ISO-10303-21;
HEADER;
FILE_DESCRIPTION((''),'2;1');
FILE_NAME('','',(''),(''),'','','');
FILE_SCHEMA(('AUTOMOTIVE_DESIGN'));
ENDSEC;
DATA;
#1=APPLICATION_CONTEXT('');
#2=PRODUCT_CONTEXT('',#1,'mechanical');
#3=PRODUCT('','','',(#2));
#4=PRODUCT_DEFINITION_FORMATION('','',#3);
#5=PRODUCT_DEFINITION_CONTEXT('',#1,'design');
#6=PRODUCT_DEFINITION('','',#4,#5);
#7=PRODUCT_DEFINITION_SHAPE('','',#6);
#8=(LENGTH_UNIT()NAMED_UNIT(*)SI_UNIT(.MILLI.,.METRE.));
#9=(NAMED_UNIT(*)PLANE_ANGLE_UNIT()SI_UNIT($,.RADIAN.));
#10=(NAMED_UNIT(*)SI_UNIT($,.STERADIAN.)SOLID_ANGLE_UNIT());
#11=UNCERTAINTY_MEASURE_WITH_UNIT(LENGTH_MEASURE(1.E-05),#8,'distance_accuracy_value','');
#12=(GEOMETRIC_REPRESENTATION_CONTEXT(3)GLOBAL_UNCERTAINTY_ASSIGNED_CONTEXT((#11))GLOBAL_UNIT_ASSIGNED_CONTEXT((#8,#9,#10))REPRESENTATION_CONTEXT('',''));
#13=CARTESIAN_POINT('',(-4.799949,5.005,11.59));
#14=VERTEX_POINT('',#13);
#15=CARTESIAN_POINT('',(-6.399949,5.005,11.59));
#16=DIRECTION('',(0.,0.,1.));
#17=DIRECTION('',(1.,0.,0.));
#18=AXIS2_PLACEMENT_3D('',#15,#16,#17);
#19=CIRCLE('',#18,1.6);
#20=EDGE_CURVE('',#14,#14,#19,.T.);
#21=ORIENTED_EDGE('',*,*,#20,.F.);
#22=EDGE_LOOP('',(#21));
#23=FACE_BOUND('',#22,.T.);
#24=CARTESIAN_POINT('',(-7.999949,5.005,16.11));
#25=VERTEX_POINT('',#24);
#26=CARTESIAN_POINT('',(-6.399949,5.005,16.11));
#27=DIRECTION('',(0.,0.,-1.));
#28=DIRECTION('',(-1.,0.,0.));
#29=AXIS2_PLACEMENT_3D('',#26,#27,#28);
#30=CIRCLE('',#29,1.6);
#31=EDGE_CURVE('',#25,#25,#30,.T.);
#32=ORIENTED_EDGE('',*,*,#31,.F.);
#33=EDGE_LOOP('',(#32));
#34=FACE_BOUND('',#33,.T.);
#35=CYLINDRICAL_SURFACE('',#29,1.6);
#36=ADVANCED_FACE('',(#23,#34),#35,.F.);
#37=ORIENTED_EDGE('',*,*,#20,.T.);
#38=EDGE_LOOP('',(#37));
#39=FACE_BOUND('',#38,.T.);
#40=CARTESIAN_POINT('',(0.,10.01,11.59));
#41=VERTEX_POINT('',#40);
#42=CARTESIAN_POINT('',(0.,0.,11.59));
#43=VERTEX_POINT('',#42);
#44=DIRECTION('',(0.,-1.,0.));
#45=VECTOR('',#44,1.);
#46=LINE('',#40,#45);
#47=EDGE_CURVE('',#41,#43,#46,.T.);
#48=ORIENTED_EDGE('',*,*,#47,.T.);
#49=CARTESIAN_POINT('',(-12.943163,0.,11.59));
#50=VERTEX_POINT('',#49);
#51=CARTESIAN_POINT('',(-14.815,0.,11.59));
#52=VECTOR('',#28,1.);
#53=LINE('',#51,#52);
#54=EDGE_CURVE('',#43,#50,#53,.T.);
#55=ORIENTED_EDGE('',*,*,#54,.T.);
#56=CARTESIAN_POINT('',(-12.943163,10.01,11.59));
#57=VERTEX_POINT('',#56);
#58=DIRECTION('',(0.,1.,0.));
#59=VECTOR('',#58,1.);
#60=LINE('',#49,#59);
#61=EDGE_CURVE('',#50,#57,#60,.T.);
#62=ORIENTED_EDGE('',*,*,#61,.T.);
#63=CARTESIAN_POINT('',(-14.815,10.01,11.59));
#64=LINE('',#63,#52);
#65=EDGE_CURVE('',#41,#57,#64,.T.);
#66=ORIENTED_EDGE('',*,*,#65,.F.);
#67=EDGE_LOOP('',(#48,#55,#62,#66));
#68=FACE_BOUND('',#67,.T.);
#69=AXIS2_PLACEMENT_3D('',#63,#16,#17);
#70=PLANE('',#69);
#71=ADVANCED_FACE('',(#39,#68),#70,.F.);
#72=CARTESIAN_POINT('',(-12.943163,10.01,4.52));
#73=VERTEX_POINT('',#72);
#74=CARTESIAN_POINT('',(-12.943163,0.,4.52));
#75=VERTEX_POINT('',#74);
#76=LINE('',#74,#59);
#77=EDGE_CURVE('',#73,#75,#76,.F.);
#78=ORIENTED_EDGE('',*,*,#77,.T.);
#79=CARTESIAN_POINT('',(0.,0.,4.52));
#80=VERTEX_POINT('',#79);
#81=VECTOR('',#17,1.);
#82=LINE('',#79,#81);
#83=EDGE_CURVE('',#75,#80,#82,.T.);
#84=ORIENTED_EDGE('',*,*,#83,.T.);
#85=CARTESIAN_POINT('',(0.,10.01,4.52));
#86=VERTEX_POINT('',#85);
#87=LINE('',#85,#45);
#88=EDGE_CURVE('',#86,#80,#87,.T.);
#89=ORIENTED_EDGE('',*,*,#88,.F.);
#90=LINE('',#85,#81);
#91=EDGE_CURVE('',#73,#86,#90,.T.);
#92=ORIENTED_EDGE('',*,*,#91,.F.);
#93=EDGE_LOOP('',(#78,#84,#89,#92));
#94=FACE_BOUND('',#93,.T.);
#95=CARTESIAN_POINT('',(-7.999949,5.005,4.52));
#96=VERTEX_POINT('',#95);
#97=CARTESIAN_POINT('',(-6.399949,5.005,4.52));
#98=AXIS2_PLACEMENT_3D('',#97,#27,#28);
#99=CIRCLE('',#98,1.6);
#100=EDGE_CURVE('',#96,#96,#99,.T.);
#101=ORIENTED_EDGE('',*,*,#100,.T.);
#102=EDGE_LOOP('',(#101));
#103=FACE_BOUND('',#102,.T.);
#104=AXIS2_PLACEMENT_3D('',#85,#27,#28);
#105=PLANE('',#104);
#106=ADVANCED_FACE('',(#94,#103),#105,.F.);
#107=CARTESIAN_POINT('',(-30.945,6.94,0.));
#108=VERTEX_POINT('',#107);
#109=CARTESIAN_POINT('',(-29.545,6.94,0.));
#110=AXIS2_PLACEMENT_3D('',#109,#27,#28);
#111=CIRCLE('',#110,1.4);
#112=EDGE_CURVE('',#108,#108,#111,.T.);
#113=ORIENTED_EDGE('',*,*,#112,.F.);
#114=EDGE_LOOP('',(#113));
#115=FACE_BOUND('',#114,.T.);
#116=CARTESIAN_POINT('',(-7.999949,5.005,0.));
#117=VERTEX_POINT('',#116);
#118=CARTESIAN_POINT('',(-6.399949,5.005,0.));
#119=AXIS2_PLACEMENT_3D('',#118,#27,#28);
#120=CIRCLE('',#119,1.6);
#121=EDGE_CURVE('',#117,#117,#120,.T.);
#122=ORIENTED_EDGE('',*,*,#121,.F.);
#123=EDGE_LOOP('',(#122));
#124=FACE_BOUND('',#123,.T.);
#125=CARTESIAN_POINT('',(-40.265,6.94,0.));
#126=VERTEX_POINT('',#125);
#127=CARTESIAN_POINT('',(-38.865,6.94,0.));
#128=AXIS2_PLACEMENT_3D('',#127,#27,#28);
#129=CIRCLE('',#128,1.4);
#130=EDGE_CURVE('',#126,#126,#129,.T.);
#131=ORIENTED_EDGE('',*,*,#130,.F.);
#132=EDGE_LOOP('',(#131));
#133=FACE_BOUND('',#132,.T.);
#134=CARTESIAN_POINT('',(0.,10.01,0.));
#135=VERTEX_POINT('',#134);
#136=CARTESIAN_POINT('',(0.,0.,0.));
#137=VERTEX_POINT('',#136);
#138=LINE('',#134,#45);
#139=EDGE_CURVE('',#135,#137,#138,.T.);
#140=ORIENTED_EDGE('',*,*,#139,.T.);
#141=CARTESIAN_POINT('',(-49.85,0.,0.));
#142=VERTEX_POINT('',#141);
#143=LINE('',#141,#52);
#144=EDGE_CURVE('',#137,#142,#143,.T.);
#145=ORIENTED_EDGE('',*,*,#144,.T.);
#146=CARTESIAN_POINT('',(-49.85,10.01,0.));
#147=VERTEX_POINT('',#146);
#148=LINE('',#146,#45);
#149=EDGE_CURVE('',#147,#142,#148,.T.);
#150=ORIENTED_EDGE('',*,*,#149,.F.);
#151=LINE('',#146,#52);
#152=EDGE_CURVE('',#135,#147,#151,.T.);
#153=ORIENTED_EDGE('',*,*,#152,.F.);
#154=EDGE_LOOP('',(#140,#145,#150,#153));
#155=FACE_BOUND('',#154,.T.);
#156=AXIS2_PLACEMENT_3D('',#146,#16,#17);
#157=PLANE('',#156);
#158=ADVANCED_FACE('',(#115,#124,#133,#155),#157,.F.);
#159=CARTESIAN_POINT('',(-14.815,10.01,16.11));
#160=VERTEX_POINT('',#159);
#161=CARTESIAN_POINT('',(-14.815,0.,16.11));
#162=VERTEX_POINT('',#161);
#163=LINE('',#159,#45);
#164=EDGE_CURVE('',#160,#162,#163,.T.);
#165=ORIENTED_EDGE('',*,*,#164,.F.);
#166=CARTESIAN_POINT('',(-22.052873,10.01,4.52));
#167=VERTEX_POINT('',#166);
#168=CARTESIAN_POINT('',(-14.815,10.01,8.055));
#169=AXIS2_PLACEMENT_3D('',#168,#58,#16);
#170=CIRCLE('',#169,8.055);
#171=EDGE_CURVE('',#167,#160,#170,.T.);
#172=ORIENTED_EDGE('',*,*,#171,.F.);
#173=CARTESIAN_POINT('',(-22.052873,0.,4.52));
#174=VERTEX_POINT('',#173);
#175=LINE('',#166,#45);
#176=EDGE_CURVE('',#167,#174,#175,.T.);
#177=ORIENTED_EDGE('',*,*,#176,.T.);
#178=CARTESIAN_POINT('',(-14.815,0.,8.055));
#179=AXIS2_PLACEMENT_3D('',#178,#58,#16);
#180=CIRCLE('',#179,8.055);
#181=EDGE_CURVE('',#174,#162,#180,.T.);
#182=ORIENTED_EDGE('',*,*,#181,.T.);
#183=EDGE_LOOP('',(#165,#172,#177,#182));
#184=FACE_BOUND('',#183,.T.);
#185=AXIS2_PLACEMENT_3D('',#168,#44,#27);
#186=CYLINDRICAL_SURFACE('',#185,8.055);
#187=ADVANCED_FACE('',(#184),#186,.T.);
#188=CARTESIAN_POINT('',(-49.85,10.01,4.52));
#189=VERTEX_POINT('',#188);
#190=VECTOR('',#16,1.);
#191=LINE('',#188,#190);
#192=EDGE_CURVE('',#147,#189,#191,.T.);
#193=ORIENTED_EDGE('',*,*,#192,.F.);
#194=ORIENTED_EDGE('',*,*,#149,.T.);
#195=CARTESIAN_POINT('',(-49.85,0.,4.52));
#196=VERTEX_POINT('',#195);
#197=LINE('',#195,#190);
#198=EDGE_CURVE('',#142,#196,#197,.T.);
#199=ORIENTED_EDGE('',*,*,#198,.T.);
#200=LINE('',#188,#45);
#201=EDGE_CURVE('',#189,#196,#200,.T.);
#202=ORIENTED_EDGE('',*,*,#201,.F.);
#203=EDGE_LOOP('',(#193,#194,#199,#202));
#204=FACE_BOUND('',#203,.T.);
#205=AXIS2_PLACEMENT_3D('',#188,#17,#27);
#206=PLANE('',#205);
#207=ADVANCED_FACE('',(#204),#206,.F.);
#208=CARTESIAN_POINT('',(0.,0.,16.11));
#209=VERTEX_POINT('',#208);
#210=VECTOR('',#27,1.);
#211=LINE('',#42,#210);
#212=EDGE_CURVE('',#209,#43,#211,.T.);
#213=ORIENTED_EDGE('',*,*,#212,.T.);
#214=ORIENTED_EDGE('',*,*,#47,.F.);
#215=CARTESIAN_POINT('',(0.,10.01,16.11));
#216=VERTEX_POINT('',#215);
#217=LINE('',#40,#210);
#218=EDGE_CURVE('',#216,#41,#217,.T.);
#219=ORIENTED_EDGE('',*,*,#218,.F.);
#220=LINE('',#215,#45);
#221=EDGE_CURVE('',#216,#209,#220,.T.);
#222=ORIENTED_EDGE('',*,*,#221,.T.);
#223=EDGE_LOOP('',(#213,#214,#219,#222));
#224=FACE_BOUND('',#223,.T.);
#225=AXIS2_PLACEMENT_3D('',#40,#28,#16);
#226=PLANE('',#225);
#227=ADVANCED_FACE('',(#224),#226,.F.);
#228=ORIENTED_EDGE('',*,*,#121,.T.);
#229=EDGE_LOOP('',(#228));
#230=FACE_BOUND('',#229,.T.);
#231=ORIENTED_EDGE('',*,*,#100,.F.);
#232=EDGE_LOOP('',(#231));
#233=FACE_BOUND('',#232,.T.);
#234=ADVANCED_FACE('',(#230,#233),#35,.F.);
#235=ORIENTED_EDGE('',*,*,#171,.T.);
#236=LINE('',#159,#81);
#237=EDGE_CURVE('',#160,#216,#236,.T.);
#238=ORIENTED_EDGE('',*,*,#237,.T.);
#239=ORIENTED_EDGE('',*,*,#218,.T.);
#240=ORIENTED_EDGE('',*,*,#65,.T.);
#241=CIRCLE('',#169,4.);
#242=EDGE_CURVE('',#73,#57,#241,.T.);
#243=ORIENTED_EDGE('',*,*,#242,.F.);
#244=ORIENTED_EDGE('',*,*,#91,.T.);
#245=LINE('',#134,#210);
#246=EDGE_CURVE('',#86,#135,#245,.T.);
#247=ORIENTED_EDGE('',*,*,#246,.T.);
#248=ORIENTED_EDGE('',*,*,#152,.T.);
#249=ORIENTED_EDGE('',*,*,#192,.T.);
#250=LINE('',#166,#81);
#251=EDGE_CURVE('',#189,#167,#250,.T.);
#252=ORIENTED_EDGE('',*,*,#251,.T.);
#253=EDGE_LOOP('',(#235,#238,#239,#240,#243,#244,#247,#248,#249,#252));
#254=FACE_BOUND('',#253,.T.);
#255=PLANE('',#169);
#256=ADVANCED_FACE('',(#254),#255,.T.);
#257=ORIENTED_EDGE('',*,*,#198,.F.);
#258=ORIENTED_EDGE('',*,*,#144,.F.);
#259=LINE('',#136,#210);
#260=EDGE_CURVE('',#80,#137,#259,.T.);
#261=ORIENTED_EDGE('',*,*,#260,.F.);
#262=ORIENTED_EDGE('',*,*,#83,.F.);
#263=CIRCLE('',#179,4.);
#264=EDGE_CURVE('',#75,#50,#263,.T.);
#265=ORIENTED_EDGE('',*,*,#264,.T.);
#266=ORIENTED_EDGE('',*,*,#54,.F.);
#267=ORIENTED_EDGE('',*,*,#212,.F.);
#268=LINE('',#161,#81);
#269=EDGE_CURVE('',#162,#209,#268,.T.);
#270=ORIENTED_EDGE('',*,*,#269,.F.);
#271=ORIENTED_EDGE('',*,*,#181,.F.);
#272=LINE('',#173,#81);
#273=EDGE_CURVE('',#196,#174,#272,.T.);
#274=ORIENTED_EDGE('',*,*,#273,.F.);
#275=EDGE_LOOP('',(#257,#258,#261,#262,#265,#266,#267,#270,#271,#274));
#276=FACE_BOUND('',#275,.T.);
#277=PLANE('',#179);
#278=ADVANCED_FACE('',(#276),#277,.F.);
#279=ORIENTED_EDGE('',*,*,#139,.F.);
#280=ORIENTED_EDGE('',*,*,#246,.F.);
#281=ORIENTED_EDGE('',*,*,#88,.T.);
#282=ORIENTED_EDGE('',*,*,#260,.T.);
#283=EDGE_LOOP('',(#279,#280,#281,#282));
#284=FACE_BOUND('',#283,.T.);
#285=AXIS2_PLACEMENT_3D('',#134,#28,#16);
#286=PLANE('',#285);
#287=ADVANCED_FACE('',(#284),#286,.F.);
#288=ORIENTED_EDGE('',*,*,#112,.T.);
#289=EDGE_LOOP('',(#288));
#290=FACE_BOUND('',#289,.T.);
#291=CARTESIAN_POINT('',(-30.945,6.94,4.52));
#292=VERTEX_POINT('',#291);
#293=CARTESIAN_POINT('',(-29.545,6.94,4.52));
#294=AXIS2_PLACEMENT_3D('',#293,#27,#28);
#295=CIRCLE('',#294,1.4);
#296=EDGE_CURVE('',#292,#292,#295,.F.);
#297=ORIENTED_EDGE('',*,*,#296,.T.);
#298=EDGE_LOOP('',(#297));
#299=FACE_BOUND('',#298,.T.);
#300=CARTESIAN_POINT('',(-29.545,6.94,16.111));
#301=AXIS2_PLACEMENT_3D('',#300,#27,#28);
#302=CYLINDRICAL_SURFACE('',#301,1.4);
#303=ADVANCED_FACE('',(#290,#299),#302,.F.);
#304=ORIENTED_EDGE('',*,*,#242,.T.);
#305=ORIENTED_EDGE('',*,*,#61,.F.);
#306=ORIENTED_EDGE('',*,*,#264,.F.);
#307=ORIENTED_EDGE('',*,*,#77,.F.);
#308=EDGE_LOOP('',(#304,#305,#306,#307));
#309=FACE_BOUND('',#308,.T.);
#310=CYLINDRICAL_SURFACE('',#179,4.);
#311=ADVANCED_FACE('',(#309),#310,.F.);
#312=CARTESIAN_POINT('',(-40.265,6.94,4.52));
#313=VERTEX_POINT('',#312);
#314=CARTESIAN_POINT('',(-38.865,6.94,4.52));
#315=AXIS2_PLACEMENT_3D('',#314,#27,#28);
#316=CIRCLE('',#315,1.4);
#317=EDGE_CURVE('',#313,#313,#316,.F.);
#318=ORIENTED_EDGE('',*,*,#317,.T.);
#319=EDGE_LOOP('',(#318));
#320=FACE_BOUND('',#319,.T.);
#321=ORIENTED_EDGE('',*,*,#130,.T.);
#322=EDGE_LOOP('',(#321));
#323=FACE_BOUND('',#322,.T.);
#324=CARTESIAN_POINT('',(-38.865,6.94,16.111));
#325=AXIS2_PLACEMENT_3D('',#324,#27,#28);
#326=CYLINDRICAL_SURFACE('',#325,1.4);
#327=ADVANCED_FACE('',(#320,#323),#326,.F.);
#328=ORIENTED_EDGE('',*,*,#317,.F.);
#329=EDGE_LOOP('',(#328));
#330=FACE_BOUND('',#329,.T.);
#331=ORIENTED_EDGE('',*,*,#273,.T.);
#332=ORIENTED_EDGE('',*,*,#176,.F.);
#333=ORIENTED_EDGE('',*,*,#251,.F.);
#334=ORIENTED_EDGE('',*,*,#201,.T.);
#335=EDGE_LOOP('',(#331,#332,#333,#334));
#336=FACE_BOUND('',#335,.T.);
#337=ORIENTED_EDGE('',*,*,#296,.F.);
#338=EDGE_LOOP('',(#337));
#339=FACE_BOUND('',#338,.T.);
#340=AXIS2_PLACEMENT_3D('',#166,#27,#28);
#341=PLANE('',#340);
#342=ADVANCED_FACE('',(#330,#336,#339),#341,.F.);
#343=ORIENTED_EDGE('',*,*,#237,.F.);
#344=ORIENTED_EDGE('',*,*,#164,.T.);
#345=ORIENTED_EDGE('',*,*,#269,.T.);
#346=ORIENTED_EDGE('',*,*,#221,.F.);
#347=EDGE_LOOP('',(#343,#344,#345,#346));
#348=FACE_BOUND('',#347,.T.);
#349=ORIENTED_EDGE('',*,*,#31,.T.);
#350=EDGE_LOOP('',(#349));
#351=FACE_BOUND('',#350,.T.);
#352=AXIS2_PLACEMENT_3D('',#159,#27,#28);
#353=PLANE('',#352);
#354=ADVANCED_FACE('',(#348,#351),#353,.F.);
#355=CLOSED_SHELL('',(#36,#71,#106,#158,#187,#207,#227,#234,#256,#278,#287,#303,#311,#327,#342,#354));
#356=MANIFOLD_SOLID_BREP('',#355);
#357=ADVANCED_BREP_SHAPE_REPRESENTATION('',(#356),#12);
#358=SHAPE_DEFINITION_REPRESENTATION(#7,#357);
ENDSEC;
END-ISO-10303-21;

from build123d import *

# Parameters (mm, degrees)
BOSS_EXTRUDE1_DEPTH = 10.01
SKETCH2_R           = 4
CUT_EXTRUDE1_DEPTH  = 11.01
SKETCH3_R           = 1.6
CUT_EXTRUDE2_DEPTH  = 17.11
CUT_EXTRUDE3_REACH  = 18.11
SKETCH5_R           = 1.4


with BuildPart() as part:
    # Sketch1 → Boss-Extrude1 (new body)
    with BuildSketch(Plane(origin=(0, 0, 0), x_dir=(1, 0, 0), z_dir=(0, 1, 0))):
        with BuildLine():
            Line((-49.85, 0), (0, 0))
            Line((0, 0), (0, -4.52))
            Line((0, -4.52), (-14.815, -4.52))
            ThreePointArc((-14.815, -4.52), (-18.35, -8.055), (-14.815, -11.59))
            Line((-14.815, -11.59), (0, -11.59))
            Line((0, -11.59), (0, -16.11))
            Line((0, -16.11), (-14.815, -16.11))
            ThreePointArc((-14.815, -16.11), (-21.647183033, -12.32164974), (-22.052872616, -4.52))
            Line((-22.052872616, -4.52), (-49.85, -4.52))
            Line((-49.85, -4.52), (-49.85, 0))
        make_face()
    extrude(amount=BOSS_EXTRUDE1_DEPTH)

    # Sketch2 → Cut-Extrude1 (cut, through all)
    with BuildSketch(Plane(origin=(0, 10.01, 0), x_dir=(1, 0, 0), z_dir=(0, 1, 0))):
        with Locations((-14.815, -8.055)):
            Circle(SKETCH2_R)
    extrude(amount=-CUT_EXTRUDE1_DEPTH, mode=Mode.SUBTRACT)

    # Sketch3 → Cut-Extrude2 (cut, through all)
    with BuildSketch(Plane(origin=(0, 0, 0), x_dir=(-1, 0, 0), z_dir=(0, 0, -1))):
        with Locations((6.39994888, 5.005)):
            Circle(SKETCH3_R)
    extrude(amount=-CUT_EXTRUDE2_DEPTH, mode=Mode.SUBTRACT)

    # Sketch5 → Cut-Extrude3 (cut, up to next)
    with BuildSketch(Plane(origin=(0, 0, 0), x_dir=(-1, 0, 0), z_dir=(0, 0, -1)), mode=Mode.PRIVATE) as cut_extrude3_sk1:
        with Locations((29.545, 6.94)):
            Circle(SKETCH5_R)
    cut_extrude3_tool1 = extrude(cut_extrude3_sk1.sketch, amount=-CUT_EXTRUDE3_REACH, mode=Mode.PRIVATE) & part.part
    add(cut_extrude3_tool1.solids().sort_by_distance((-29.545, 6.94, 0))[0], mode=Mode.SUBTRACT)
    # Sketch5 → Cut-Extrude3 (cut, up to next)
    with BuildSketch(Plane(origin=(0, 0, 0), x_dir=(-1, 0, 0), z_dir=(0, 0, -1)), mode=Mode.PRIVATE) as cut_extrude3_sk2:
        with Locations((38.865, 6.94)):
            Circle(SKETCH5_R)
    cut_extrude3_tool2 = extrude(cut_extrude3_sk2.sketch, amount=-CUT_EXTRUDE3_REACH, mode=Mode.PRIVATE) & part.part
    add(cut_extrude3_tool2.solids().sort_by_distance((-38.865, 6.94, 0))[0], mode=Mode.SUBTRACT)


solid = part.part
